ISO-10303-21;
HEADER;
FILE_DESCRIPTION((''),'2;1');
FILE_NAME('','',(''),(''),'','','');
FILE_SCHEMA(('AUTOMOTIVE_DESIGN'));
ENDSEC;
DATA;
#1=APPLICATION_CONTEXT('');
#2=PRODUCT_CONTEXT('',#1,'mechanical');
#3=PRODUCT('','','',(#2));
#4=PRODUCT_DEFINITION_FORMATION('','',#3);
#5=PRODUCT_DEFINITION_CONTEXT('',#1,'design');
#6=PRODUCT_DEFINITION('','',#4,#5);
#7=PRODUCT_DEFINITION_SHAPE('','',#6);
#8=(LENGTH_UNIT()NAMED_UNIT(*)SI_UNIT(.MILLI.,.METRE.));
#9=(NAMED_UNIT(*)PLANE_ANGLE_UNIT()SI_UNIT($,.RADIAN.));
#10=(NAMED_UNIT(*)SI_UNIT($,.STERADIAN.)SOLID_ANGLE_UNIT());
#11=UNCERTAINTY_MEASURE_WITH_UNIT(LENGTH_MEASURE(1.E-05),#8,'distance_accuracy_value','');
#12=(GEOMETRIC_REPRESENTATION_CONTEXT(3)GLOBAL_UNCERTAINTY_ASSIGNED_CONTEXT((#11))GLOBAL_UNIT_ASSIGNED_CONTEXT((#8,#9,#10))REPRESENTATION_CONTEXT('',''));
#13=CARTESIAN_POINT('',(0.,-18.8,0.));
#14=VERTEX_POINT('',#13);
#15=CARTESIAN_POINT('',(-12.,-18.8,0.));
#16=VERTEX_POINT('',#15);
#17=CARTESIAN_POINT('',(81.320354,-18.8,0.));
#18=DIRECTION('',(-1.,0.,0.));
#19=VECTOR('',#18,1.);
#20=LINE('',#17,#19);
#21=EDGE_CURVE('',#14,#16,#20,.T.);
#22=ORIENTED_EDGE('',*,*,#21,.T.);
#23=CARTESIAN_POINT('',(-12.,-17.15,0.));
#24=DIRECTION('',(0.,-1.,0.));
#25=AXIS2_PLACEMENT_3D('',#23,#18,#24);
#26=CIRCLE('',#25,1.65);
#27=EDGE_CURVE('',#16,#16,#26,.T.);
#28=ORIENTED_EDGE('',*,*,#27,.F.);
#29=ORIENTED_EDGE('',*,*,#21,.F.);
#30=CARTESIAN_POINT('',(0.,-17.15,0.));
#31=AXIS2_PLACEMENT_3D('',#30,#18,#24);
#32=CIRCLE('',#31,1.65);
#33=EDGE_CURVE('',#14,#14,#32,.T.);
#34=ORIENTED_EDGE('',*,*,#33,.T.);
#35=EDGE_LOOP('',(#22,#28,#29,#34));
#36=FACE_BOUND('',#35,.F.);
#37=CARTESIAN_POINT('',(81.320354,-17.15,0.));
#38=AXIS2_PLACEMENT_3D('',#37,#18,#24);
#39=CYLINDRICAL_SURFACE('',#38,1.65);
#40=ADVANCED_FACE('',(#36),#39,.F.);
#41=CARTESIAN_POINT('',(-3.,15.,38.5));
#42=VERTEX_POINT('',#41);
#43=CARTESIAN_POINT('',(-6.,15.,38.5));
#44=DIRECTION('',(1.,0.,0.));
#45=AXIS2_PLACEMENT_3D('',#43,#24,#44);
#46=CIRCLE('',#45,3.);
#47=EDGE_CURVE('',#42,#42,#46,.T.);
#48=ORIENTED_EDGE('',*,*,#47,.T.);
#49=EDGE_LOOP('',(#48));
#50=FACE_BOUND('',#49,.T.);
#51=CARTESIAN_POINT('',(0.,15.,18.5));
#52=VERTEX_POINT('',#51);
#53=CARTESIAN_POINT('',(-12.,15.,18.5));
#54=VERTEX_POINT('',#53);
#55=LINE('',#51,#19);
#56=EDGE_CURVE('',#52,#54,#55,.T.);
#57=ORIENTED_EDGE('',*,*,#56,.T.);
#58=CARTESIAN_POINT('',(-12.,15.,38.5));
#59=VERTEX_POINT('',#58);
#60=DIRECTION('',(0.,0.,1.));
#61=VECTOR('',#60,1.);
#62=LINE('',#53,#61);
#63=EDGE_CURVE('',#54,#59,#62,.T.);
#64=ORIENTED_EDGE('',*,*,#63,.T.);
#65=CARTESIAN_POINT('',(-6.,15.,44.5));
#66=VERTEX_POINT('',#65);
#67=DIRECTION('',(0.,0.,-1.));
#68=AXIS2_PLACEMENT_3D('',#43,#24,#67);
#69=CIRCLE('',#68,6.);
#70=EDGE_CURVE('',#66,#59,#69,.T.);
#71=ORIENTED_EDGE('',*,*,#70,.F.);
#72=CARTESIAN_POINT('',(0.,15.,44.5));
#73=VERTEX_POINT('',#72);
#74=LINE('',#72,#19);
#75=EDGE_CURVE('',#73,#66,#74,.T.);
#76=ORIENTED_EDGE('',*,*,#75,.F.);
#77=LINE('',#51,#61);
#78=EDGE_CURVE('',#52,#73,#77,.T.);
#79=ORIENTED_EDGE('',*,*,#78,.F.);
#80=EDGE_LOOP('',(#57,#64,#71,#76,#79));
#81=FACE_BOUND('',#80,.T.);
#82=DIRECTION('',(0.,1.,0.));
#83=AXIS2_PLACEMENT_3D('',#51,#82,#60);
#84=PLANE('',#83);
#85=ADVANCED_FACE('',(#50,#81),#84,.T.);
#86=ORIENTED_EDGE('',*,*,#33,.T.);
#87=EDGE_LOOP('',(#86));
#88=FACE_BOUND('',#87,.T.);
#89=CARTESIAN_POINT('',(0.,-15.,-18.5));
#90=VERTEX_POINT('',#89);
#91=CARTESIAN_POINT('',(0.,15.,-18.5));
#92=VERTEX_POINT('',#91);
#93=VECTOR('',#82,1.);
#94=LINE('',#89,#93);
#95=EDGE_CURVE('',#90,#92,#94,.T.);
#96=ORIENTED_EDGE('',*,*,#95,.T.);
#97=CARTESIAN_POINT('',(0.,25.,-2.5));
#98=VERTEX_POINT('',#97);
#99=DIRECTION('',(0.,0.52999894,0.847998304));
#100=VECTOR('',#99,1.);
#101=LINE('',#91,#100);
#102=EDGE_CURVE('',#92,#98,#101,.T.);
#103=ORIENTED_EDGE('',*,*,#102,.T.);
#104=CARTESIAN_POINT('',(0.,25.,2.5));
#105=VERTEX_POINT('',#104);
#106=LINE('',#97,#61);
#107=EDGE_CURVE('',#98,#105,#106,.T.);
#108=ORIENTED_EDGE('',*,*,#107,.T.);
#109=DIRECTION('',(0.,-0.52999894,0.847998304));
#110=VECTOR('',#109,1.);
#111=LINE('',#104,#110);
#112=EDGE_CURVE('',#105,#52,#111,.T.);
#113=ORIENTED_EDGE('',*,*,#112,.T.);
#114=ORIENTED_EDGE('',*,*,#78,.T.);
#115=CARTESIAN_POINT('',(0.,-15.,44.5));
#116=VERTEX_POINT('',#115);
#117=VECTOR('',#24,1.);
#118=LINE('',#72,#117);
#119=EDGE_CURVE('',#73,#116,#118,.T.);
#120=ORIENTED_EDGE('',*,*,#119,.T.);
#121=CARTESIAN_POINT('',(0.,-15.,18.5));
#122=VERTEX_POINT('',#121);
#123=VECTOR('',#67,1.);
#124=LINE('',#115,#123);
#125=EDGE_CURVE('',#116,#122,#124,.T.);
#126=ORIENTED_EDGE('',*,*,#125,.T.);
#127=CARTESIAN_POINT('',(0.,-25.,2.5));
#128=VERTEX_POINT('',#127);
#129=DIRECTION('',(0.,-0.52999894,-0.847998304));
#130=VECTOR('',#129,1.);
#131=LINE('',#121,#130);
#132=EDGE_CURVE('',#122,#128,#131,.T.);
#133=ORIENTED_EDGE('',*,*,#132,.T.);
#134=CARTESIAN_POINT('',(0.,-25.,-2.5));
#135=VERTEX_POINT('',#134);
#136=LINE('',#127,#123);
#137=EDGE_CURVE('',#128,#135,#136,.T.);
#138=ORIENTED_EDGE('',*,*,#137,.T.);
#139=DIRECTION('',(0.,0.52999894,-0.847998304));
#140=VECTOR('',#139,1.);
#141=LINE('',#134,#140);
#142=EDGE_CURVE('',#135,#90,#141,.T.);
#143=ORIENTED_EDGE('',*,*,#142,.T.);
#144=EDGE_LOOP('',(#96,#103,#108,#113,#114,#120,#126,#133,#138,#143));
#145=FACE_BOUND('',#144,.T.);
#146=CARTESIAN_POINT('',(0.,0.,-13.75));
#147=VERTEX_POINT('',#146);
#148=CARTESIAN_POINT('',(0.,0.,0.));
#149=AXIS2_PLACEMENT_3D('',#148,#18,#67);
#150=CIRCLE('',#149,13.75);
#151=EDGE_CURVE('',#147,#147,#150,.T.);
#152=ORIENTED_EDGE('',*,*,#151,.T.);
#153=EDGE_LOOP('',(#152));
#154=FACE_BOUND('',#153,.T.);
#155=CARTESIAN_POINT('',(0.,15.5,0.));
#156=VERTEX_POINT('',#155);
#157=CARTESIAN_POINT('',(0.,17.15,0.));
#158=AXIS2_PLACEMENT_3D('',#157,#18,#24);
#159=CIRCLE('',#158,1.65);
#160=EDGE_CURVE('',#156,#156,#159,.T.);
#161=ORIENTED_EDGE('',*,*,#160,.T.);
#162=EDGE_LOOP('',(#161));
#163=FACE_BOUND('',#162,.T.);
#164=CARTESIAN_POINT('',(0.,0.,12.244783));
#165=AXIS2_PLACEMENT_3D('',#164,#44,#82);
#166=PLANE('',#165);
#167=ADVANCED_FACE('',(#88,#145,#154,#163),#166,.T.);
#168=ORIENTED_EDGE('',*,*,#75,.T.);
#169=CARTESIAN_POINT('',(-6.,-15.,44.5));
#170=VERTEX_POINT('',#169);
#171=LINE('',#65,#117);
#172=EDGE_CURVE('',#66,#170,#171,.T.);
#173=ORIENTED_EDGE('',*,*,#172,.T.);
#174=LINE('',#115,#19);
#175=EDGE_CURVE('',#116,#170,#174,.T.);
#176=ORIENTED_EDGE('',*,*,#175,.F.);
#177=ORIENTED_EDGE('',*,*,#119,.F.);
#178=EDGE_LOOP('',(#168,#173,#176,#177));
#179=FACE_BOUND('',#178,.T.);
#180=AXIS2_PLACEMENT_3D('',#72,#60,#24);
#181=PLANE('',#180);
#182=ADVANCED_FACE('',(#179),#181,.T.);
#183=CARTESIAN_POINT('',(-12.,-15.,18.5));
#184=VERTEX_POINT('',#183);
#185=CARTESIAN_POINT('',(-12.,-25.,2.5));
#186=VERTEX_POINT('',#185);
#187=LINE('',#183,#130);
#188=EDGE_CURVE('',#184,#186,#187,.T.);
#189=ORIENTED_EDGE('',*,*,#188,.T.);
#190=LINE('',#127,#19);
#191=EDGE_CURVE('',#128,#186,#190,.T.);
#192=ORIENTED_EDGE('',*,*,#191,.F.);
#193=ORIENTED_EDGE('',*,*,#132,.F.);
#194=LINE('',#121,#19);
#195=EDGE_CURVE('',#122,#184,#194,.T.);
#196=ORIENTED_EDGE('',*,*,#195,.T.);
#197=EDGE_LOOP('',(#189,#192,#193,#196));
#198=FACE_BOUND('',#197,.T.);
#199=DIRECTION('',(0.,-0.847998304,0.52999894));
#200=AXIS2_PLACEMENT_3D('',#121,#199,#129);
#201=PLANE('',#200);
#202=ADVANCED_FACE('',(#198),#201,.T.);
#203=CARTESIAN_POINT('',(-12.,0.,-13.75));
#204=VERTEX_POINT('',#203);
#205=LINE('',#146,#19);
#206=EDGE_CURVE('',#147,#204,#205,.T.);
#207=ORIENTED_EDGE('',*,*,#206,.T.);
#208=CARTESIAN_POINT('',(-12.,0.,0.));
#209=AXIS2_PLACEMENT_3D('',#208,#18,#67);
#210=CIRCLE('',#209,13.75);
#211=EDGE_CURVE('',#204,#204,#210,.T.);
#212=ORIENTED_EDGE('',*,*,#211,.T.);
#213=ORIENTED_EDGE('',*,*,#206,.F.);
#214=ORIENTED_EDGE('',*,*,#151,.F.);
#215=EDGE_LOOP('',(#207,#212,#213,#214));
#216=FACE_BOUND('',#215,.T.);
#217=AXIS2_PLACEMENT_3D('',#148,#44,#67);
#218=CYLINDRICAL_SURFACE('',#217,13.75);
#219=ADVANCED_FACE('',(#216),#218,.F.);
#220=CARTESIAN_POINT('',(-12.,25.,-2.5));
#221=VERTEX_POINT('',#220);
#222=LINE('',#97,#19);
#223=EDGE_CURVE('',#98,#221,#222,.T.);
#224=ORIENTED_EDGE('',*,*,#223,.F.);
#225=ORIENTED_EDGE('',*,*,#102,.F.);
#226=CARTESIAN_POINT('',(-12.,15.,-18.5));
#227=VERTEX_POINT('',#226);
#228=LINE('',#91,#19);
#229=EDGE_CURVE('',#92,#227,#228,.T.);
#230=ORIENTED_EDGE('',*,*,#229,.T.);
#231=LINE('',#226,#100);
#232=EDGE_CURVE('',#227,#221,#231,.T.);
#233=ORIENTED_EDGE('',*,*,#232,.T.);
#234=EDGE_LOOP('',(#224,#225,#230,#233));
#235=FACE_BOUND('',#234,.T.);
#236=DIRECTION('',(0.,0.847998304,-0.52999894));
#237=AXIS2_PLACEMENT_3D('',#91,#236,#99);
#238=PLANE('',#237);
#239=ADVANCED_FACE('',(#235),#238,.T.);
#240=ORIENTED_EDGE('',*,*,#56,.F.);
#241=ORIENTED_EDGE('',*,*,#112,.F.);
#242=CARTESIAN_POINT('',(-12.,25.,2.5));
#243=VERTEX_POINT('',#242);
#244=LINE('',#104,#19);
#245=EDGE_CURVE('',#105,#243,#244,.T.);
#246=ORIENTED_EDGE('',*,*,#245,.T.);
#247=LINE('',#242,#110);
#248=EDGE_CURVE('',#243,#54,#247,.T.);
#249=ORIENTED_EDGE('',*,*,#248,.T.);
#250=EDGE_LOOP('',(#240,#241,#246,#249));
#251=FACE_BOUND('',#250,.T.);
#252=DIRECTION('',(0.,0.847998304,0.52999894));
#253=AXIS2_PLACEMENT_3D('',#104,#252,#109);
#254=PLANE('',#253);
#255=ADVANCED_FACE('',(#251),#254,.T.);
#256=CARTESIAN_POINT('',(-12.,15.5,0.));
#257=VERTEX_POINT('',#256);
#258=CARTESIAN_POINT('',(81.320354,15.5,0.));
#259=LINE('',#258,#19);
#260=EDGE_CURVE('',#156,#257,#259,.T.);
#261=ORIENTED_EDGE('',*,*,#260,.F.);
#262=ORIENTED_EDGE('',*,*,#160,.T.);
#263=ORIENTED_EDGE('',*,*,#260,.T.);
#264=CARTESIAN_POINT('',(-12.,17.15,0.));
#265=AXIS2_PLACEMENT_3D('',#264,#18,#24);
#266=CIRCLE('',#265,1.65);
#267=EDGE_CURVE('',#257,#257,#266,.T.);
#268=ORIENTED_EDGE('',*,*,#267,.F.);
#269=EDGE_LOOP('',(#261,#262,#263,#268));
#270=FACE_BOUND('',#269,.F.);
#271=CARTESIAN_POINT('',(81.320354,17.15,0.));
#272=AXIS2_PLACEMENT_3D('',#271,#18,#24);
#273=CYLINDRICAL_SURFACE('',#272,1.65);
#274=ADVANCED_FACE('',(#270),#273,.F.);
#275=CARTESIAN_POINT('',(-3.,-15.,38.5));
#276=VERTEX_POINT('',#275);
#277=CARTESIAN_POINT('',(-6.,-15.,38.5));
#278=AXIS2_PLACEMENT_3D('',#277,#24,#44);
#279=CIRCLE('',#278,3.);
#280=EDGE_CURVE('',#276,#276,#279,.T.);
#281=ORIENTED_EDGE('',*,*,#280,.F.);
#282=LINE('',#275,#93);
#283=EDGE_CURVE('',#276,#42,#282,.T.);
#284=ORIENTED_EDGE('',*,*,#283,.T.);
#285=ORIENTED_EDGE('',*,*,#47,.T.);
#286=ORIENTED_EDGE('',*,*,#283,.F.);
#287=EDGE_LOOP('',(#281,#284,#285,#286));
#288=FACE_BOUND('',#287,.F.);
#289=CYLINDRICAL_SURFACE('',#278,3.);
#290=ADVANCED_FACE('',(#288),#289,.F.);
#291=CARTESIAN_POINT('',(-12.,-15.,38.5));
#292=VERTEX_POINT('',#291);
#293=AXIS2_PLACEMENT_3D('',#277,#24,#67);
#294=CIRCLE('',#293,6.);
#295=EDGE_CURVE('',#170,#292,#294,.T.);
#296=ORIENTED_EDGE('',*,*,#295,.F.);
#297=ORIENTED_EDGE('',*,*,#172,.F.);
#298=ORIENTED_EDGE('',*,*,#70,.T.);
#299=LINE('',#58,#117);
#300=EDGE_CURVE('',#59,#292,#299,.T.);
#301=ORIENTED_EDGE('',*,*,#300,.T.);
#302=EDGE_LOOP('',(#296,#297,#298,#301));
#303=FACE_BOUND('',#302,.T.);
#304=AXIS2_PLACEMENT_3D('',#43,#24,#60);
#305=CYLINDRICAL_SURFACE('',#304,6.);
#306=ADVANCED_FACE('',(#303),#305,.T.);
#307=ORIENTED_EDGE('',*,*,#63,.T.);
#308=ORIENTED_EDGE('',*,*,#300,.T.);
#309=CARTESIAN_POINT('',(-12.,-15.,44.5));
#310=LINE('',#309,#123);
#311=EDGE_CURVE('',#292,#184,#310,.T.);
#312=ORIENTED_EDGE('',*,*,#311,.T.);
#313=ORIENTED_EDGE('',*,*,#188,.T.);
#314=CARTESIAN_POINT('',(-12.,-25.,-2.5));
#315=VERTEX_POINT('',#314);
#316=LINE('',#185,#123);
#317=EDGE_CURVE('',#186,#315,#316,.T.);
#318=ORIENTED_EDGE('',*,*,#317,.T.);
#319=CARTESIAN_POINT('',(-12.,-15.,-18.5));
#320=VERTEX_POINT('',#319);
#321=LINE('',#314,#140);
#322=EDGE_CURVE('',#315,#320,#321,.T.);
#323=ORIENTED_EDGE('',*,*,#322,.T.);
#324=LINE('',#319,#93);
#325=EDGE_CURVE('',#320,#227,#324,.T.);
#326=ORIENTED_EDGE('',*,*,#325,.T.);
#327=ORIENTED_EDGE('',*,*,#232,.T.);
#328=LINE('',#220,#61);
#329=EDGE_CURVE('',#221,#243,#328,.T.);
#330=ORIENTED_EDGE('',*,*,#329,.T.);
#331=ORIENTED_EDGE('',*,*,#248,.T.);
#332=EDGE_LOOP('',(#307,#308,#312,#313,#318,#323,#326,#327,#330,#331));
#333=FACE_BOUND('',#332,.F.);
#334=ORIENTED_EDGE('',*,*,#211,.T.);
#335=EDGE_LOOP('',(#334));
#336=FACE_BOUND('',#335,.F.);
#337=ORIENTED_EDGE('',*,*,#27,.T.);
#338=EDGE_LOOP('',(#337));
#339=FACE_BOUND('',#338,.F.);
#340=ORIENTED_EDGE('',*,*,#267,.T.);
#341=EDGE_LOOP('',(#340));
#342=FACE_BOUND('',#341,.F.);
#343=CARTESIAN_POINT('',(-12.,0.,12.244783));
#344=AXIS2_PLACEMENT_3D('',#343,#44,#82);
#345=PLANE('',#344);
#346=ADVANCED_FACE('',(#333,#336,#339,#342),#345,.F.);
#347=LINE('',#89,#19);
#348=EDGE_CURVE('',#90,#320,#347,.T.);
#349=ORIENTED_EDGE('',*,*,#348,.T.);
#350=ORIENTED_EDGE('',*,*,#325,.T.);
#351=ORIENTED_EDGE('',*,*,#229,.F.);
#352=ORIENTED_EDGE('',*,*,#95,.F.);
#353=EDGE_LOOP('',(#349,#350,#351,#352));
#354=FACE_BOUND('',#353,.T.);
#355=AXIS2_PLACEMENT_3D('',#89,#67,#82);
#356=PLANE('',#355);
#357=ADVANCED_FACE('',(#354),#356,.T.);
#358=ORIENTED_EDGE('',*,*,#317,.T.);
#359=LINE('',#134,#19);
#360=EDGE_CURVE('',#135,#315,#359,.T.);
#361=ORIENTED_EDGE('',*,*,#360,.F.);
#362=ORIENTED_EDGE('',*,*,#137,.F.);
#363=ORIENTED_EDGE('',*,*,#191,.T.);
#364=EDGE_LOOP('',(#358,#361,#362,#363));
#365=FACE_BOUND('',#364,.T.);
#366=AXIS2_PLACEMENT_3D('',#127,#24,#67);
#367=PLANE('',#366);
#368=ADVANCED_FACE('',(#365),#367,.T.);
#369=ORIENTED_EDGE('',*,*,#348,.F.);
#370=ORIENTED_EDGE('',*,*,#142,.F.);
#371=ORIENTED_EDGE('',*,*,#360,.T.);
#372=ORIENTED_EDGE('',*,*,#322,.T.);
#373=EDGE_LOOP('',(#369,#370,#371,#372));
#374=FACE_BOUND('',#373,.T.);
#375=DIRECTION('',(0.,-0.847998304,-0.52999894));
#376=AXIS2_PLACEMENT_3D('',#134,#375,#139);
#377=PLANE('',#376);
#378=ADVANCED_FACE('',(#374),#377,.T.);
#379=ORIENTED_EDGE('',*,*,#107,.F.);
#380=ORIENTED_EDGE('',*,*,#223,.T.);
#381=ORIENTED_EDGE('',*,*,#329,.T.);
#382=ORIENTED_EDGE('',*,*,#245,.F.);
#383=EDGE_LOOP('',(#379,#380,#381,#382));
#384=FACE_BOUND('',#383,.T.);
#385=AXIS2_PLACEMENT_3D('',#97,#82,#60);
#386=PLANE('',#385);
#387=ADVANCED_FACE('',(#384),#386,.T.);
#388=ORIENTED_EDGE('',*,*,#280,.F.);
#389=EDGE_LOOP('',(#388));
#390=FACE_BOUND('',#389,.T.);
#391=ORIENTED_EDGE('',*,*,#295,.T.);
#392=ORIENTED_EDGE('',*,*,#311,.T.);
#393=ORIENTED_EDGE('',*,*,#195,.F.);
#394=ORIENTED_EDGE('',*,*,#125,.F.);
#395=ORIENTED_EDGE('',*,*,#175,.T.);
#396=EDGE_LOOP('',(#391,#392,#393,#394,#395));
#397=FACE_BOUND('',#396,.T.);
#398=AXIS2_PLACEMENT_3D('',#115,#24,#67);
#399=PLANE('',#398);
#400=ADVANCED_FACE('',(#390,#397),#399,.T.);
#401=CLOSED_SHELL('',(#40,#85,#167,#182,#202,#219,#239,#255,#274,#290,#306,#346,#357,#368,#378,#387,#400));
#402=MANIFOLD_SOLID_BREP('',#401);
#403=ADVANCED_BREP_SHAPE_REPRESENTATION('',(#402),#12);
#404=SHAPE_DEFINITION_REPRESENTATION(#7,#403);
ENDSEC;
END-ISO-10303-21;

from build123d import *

# Parameters (mm, degrees)
F1_DEPTH = 12
F3_D     = 3.3
F4_R     = 3
F5_DEPTH = 30
F6_R     = 6


with BuildPart() as f1:
    # F0 (on Right) → F1 (new body)
    with BuildSketch(Plane.YZ):
        Polygon((15, 44.5), (0, 44.5), (-15, 44.5), (-15, 18.5), (-25, 2.5), (-25, -2.5), (-15, -18.5), (0, -18.5), (15, -18.5), (25, -2.5), (25, 2.5), (15, 18.5), align=None)
        with BuildLine():
            ThreePointArc((0, 13.75), (13.75, 0), (0, -13.75))
            ThreePointArc((0, -13.75), (-13.75, 0), (0, 13.75))
        make_face(mode=Mode.SUBTRACT)
    extrude(amount=-F1_DEPTH)

    # F3 (through all)
    with Locations(Plane.YZ):
        with Locations((-17.15, 0), (17.15, 0)):
            Hole(F3_D / 2)

    # F4 (on face) → F5 (cut, through all)
    with BuildSketch(Plane.XZ.offset(15)):
        with Locations((-6, 38.5)):
            Circle(F4_R)
    extrude(amount=-F5_DEPTH, mode=Mode.SUBTRACT)

    # F6
    f6_edges = [f1.edges().sort_by_distance(p)[0] for p in [
        (-12, 0, 44.5),
    ]]
    fillet(f6_edges, radius=F6_R)


solid = f1.part
